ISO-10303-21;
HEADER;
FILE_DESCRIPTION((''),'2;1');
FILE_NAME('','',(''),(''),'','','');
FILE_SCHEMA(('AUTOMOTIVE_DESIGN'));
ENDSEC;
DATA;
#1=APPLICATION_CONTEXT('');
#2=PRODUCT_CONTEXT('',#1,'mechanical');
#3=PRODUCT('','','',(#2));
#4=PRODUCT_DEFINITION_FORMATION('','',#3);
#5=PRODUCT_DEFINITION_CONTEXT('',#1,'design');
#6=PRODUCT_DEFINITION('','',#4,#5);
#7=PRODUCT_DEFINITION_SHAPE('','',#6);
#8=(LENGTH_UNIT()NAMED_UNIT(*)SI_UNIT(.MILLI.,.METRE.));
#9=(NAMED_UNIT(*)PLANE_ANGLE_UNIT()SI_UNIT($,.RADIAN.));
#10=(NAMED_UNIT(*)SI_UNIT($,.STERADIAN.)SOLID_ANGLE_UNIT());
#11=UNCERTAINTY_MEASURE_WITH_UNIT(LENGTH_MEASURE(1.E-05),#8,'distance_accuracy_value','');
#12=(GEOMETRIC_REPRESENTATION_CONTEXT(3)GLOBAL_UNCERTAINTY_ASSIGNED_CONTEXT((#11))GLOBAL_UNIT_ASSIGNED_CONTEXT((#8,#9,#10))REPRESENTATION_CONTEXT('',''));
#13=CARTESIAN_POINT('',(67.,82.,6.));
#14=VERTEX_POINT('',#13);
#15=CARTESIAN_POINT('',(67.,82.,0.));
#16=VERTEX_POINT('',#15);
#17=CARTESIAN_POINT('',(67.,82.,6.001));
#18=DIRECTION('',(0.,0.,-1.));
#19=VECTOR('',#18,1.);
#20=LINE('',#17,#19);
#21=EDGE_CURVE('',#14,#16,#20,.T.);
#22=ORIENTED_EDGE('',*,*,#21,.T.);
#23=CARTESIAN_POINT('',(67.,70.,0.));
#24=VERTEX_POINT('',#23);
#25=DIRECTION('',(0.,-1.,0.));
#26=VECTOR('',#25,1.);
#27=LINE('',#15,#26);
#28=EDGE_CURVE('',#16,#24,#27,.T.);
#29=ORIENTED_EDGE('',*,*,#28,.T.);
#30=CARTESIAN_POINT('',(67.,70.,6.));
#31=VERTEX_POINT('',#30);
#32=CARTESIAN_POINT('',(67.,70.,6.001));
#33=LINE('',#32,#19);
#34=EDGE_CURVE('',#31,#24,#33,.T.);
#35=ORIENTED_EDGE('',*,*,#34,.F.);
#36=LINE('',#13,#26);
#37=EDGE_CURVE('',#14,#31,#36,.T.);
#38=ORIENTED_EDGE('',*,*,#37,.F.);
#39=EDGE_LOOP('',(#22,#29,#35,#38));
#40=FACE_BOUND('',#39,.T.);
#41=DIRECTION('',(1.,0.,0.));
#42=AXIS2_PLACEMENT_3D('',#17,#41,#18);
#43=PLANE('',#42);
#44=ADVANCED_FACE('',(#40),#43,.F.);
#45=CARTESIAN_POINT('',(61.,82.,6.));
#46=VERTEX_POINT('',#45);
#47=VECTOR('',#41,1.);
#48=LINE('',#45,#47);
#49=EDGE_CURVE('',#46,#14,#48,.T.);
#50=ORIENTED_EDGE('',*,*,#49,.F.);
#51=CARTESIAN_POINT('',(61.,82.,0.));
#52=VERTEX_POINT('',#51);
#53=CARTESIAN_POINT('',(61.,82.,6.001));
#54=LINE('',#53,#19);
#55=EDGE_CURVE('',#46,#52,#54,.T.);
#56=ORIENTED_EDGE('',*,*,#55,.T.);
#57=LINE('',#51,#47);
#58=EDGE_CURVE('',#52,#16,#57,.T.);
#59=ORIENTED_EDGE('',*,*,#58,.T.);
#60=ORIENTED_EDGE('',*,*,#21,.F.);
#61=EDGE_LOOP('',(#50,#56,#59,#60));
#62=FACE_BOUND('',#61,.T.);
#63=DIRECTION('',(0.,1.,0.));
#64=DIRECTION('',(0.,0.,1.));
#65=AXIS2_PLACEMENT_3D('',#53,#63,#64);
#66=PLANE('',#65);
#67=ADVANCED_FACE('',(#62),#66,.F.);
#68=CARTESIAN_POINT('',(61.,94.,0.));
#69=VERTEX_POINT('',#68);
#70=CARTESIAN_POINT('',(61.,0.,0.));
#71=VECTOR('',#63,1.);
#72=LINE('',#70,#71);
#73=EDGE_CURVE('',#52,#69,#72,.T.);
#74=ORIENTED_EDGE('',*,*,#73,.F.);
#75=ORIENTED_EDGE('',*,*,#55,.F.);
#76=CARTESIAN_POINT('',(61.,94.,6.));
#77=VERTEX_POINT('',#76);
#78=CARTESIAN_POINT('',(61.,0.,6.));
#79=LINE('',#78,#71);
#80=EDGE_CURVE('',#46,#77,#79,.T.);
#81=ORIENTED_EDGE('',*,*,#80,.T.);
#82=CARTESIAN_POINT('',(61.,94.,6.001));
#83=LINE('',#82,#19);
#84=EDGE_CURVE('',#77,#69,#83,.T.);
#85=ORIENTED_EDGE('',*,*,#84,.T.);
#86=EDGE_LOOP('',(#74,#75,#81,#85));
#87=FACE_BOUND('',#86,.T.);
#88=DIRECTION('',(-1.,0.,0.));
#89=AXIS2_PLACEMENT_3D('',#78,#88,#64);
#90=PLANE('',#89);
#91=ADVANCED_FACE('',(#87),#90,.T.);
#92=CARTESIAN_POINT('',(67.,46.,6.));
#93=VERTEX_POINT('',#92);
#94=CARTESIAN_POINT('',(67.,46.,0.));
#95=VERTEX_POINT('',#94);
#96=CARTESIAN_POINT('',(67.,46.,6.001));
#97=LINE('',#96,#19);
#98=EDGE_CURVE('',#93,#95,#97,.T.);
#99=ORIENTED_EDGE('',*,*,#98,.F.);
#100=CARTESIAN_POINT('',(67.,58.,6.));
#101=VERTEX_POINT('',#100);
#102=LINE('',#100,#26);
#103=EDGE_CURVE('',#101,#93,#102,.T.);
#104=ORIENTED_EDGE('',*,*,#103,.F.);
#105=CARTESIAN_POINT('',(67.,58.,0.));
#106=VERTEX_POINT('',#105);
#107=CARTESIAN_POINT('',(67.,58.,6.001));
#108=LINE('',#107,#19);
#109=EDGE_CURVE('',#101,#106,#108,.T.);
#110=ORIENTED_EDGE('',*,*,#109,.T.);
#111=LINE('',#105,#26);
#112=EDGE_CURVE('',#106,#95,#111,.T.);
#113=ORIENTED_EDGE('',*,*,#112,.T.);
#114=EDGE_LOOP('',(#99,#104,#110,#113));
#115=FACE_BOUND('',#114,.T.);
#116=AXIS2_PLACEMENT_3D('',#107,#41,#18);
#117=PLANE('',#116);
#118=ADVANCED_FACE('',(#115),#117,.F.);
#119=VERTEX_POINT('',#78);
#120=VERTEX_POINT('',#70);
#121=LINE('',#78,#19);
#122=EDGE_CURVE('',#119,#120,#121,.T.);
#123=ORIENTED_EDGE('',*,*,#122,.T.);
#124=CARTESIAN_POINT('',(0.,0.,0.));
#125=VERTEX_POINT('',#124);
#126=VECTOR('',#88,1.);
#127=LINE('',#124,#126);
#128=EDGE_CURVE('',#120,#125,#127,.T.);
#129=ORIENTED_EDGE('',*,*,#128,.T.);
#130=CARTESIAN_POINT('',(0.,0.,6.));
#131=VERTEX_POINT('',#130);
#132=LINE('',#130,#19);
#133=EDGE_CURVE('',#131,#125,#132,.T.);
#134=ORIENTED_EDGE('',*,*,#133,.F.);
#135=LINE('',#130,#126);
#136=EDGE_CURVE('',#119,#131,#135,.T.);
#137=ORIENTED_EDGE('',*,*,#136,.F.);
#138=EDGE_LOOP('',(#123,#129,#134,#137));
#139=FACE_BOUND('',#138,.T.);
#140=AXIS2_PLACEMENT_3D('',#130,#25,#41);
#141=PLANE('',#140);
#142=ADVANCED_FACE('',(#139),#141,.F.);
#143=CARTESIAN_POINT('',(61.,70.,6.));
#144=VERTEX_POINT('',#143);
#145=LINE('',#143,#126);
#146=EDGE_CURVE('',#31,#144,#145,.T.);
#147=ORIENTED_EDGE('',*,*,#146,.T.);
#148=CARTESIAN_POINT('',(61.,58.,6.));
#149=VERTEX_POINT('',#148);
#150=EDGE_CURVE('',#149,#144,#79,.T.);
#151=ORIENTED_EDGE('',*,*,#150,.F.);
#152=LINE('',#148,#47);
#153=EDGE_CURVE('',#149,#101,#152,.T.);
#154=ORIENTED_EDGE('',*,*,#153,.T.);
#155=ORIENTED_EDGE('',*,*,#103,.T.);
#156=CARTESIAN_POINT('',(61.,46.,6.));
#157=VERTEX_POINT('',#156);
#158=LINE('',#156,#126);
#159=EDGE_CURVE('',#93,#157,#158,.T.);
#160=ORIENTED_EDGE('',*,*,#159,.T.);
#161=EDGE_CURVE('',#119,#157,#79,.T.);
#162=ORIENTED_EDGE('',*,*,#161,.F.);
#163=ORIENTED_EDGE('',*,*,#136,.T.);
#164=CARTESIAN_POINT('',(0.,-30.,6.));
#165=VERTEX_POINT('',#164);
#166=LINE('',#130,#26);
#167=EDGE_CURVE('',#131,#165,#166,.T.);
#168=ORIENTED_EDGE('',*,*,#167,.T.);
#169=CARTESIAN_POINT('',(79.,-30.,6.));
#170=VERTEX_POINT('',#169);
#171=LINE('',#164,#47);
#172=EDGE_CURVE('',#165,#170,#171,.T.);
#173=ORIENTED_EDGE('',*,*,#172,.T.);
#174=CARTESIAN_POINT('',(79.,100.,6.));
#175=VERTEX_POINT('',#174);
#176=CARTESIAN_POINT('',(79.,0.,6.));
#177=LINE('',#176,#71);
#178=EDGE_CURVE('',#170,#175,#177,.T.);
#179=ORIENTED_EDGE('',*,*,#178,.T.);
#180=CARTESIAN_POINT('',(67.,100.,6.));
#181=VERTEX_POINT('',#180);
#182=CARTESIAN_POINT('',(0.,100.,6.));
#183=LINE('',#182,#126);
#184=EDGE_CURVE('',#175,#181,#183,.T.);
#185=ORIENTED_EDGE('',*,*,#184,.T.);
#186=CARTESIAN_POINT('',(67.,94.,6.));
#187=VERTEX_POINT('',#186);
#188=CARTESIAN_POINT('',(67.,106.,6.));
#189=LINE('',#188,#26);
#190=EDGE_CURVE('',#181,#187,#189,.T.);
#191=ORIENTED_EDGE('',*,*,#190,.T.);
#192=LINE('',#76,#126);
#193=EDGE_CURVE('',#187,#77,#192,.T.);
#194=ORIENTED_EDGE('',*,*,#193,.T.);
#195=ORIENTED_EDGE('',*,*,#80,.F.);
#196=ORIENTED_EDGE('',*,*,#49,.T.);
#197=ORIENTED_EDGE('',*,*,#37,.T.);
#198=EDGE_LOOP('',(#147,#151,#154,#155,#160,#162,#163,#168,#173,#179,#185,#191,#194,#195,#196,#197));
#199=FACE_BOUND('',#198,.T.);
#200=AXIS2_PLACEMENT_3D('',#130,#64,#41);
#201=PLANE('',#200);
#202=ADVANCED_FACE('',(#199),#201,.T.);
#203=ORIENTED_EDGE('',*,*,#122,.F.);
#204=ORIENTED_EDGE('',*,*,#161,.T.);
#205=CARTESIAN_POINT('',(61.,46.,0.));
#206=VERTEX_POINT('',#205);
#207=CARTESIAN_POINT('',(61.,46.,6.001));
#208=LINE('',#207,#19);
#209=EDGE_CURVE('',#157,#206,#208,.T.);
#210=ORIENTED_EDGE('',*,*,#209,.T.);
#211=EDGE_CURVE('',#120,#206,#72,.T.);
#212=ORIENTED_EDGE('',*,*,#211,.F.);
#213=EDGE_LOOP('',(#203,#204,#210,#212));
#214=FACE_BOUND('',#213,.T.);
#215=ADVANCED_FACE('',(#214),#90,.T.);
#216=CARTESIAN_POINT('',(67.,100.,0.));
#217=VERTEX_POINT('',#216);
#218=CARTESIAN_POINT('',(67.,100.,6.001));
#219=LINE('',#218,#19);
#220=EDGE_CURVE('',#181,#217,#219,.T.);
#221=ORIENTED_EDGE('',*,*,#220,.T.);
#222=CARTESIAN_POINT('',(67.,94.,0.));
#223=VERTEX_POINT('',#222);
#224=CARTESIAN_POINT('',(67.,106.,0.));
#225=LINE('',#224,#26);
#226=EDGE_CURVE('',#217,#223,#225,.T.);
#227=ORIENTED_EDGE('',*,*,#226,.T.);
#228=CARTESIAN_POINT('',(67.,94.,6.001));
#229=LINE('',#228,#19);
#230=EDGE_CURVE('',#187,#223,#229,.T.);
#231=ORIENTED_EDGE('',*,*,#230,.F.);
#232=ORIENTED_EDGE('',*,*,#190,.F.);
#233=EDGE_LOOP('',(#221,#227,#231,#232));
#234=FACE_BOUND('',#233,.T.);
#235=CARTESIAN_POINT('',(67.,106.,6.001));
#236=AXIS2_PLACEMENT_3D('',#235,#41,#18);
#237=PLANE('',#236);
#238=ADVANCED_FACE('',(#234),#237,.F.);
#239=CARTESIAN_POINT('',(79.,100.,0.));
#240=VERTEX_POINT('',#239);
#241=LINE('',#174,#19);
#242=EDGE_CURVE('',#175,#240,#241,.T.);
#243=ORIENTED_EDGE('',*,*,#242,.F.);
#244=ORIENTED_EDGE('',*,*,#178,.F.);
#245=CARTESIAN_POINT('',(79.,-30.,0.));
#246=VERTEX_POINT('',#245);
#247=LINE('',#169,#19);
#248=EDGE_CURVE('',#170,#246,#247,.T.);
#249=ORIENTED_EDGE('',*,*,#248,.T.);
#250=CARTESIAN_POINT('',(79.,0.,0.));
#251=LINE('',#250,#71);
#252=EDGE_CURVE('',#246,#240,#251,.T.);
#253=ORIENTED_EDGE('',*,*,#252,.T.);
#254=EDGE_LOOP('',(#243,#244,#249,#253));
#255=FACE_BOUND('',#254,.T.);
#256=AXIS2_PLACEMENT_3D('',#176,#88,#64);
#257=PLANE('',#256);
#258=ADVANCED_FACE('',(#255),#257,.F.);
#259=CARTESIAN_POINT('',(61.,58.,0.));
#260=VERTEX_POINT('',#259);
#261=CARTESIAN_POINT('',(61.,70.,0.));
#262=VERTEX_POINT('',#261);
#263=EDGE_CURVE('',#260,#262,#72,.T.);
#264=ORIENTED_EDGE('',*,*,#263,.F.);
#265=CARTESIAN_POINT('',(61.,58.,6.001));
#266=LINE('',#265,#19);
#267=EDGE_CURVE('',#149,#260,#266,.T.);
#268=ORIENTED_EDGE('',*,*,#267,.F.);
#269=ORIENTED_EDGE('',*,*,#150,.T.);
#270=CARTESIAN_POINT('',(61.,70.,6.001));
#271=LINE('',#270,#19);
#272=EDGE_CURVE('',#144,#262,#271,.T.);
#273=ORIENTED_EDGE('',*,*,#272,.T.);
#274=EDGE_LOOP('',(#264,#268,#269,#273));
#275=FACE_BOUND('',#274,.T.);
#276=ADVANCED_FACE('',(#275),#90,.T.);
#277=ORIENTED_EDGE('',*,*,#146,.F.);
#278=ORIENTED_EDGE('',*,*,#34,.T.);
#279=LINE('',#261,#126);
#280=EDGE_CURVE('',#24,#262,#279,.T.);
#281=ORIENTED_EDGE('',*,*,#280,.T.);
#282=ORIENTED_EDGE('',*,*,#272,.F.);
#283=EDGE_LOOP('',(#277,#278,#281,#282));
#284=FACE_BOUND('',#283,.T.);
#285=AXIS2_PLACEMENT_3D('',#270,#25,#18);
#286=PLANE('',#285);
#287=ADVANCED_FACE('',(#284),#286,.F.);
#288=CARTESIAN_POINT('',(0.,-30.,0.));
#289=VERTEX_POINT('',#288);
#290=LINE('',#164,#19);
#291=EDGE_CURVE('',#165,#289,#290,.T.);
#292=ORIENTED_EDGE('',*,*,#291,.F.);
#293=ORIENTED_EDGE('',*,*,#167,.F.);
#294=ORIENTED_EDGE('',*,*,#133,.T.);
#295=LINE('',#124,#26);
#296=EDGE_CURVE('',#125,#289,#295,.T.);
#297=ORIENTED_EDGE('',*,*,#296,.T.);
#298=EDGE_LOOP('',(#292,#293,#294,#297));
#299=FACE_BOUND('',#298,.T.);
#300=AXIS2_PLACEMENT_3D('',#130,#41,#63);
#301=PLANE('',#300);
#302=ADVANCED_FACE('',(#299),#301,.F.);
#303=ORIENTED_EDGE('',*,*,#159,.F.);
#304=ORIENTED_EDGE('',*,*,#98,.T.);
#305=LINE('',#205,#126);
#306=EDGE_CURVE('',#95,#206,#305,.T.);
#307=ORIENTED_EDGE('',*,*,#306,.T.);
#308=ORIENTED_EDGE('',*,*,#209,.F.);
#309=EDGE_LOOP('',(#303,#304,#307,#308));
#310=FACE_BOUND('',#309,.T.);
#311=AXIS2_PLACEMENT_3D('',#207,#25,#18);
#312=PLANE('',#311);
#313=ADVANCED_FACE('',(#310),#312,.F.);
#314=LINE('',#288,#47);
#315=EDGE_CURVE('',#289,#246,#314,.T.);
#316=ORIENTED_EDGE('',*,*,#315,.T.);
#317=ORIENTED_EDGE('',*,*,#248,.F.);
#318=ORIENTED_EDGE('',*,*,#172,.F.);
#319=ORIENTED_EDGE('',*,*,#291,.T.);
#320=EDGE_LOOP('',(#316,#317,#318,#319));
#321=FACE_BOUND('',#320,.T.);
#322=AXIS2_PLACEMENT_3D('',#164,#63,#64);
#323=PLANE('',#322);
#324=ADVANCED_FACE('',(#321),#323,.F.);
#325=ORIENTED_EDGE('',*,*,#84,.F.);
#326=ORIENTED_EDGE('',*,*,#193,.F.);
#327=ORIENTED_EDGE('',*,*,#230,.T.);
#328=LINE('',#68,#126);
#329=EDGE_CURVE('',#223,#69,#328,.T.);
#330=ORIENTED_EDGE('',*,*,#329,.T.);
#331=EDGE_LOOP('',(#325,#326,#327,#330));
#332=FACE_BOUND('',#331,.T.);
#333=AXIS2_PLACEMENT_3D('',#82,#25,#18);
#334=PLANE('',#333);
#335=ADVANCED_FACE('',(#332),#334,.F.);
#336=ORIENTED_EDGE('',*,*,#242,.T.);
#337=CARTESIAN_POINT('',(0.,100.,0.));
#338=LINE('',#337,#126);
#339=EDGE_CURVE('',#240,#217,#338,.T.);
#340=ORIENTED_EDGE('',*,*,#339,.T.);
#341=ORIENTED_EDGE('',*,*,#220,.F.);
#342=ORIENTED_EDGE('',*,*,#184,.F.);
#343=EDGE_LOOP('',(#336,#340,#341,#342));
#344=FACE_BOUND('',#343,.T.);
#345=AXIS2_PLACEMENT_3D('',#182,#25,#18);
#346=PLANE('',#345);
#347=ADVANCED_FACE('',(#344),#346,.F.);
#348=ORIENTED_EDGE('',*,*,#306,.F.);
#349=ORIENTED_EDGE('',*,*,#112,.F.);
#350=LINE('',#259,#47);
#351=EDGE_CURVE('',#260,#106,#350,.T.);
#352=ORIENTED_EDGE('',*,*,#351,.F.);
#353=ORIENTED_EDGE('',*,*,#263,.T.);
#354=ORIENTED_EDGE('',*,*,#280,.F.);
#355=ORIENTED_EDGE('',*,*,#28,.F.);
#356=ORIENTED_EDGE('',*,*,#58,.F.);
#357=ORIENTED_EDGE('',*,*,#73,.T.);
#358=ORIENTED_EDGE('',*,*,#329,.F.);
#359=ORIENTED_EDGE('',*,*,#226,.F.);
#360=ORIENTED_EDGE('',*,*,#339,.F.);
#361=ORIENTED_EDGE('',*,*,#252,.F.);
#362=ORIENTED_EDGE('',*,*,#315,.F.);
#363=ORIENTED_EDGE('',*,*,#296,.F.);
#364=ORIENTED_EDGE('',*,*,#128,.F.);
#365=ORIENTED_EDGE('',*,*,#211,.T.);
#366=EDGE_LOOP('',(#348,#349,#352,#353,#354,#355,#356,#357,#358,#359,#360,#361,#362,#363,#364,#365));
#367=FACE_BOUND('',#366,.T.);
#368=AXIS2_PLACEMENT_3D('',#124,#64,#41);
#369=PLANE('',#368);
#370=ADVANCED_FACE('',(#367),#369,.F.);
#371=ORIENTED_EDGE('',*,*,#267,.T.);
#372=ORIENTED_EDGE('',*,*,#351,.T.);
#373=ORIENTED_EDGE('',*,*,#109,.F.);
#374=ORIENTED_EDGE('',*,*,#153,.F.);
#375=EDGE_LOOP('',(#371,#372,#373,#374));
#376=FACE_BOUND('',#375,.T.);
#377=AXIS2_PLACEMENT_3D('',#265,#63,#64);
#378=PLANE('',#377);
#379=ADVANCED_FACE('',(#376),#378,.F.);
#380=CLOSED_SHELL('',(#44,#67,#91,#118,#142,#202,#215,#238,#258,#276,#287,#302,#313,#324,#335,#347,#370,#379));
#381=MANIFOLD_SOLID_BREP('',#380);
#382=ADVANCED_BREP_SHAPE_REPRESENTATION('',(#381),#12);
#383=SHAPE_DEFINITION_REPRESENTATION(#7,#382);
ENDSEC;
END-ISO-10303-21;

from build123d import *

# Parameters (mm, degrees)
SKETCH1_W           = 18
SKETCH1_H           = 100
BOSS_EXTRUDE4_DEPTH = 6
BOSS_EXTRUDE5_DEPTH = 6
CUT_EXTRUDE1_REACH  = 129.581
SKETCH4_W           = 6
SKETCH4_H           = 12


with BuildPart() as part:
    # Sketch1 → Boss-Extrude4 (new body)
    with BuildSketch(Plane.XY):
        with Locations((70, 50)):
            Rectangle(SKETCH1_W, SKETCH1_H)
    extrude(amount=BOSS_EXTRUDE4_DEPTH)

    # Sketch1<8> → Boss-Extrude5 (add)
    with BuildSketch(Plane.XY):
        Polygon((79, -30), (79, 0), (61, 0), (20, 0), (0, 0), (0, -30), align=None)
    extrude(amount=BOSS_EXTRUDE5_DEPTH)

    # Sketch4 → Cut-Extrude1 (cut, up to next)
    with BuildSketch(Plane(origin=(0, 0, 0), x_dir=(-1, 0, 0), z_dir=(0, 0, -1)), mode=Mode.PRIVATE) as cut_extrude1_sk1:
        with Locations((-64, 100)):
            Rectangle(SKETCH4_W, SKETCH4_H)
    cut_extrude1_tool1 = extrude(cut_extrude1_sk1.sketch, amount=-CUT_EXTRUDE1_REACH, mode=Mode.PRIVATE) & part.part
    # Sketch4 → Cut-Extrude1 (cut, up to next)
    with BuildSketch(Plane(origin=(0, 0, 0), x_dir=(-1, 0, 0), z_dir=(0, 0, -1)), mode=Mode.PRIVATE) as cut_extrude1_sk2:
        with Locations((-64, 76)):
            Rectangle(SKETCH4_W, SKETCH4_H)
    cut_extrude1_tool2 = extrude(cut_extrude1_sk2.sketch, amount=-CUT_EXTRUDE1_REACH, mode=Mode.PRIVATE) & part.part
    # Sketch4 → Cut-Extrude1 (cut, up to next)
    with BuildSketch(Plane(origin=(0, 0, 0), x_dir=(-1, 0, 0), z_dir=(0, 0, -1)), mode=Mode.PRIVATE) as cut_extrude1_sk3:
        with Locations((-64, 52)):
            Rectangle(SKETCH4_W, SKETCH4_H)
    cut_extrude1_tool3 = extrude(cut_extrude1_sk3.sketch, amount=-CUT_EXTRUDE1_REACH, mode=Mode.PRIVATE) & part.part
    add(cut_extrude1_tool1.solids().sort_by_distance((64, 100, 0))[0], mode=Mode.SUBTRACT)
    add(cut_extrude1_tool2.solids().sort_by_distance((64, 76, 0))[0], mode=Mode.SUBTRACT)
    add(cut_extrude1_tool3.solids().sort_by_distance((64, 52, 0))[0], mode=Mode.SUBTRACT)


solid = part.part
